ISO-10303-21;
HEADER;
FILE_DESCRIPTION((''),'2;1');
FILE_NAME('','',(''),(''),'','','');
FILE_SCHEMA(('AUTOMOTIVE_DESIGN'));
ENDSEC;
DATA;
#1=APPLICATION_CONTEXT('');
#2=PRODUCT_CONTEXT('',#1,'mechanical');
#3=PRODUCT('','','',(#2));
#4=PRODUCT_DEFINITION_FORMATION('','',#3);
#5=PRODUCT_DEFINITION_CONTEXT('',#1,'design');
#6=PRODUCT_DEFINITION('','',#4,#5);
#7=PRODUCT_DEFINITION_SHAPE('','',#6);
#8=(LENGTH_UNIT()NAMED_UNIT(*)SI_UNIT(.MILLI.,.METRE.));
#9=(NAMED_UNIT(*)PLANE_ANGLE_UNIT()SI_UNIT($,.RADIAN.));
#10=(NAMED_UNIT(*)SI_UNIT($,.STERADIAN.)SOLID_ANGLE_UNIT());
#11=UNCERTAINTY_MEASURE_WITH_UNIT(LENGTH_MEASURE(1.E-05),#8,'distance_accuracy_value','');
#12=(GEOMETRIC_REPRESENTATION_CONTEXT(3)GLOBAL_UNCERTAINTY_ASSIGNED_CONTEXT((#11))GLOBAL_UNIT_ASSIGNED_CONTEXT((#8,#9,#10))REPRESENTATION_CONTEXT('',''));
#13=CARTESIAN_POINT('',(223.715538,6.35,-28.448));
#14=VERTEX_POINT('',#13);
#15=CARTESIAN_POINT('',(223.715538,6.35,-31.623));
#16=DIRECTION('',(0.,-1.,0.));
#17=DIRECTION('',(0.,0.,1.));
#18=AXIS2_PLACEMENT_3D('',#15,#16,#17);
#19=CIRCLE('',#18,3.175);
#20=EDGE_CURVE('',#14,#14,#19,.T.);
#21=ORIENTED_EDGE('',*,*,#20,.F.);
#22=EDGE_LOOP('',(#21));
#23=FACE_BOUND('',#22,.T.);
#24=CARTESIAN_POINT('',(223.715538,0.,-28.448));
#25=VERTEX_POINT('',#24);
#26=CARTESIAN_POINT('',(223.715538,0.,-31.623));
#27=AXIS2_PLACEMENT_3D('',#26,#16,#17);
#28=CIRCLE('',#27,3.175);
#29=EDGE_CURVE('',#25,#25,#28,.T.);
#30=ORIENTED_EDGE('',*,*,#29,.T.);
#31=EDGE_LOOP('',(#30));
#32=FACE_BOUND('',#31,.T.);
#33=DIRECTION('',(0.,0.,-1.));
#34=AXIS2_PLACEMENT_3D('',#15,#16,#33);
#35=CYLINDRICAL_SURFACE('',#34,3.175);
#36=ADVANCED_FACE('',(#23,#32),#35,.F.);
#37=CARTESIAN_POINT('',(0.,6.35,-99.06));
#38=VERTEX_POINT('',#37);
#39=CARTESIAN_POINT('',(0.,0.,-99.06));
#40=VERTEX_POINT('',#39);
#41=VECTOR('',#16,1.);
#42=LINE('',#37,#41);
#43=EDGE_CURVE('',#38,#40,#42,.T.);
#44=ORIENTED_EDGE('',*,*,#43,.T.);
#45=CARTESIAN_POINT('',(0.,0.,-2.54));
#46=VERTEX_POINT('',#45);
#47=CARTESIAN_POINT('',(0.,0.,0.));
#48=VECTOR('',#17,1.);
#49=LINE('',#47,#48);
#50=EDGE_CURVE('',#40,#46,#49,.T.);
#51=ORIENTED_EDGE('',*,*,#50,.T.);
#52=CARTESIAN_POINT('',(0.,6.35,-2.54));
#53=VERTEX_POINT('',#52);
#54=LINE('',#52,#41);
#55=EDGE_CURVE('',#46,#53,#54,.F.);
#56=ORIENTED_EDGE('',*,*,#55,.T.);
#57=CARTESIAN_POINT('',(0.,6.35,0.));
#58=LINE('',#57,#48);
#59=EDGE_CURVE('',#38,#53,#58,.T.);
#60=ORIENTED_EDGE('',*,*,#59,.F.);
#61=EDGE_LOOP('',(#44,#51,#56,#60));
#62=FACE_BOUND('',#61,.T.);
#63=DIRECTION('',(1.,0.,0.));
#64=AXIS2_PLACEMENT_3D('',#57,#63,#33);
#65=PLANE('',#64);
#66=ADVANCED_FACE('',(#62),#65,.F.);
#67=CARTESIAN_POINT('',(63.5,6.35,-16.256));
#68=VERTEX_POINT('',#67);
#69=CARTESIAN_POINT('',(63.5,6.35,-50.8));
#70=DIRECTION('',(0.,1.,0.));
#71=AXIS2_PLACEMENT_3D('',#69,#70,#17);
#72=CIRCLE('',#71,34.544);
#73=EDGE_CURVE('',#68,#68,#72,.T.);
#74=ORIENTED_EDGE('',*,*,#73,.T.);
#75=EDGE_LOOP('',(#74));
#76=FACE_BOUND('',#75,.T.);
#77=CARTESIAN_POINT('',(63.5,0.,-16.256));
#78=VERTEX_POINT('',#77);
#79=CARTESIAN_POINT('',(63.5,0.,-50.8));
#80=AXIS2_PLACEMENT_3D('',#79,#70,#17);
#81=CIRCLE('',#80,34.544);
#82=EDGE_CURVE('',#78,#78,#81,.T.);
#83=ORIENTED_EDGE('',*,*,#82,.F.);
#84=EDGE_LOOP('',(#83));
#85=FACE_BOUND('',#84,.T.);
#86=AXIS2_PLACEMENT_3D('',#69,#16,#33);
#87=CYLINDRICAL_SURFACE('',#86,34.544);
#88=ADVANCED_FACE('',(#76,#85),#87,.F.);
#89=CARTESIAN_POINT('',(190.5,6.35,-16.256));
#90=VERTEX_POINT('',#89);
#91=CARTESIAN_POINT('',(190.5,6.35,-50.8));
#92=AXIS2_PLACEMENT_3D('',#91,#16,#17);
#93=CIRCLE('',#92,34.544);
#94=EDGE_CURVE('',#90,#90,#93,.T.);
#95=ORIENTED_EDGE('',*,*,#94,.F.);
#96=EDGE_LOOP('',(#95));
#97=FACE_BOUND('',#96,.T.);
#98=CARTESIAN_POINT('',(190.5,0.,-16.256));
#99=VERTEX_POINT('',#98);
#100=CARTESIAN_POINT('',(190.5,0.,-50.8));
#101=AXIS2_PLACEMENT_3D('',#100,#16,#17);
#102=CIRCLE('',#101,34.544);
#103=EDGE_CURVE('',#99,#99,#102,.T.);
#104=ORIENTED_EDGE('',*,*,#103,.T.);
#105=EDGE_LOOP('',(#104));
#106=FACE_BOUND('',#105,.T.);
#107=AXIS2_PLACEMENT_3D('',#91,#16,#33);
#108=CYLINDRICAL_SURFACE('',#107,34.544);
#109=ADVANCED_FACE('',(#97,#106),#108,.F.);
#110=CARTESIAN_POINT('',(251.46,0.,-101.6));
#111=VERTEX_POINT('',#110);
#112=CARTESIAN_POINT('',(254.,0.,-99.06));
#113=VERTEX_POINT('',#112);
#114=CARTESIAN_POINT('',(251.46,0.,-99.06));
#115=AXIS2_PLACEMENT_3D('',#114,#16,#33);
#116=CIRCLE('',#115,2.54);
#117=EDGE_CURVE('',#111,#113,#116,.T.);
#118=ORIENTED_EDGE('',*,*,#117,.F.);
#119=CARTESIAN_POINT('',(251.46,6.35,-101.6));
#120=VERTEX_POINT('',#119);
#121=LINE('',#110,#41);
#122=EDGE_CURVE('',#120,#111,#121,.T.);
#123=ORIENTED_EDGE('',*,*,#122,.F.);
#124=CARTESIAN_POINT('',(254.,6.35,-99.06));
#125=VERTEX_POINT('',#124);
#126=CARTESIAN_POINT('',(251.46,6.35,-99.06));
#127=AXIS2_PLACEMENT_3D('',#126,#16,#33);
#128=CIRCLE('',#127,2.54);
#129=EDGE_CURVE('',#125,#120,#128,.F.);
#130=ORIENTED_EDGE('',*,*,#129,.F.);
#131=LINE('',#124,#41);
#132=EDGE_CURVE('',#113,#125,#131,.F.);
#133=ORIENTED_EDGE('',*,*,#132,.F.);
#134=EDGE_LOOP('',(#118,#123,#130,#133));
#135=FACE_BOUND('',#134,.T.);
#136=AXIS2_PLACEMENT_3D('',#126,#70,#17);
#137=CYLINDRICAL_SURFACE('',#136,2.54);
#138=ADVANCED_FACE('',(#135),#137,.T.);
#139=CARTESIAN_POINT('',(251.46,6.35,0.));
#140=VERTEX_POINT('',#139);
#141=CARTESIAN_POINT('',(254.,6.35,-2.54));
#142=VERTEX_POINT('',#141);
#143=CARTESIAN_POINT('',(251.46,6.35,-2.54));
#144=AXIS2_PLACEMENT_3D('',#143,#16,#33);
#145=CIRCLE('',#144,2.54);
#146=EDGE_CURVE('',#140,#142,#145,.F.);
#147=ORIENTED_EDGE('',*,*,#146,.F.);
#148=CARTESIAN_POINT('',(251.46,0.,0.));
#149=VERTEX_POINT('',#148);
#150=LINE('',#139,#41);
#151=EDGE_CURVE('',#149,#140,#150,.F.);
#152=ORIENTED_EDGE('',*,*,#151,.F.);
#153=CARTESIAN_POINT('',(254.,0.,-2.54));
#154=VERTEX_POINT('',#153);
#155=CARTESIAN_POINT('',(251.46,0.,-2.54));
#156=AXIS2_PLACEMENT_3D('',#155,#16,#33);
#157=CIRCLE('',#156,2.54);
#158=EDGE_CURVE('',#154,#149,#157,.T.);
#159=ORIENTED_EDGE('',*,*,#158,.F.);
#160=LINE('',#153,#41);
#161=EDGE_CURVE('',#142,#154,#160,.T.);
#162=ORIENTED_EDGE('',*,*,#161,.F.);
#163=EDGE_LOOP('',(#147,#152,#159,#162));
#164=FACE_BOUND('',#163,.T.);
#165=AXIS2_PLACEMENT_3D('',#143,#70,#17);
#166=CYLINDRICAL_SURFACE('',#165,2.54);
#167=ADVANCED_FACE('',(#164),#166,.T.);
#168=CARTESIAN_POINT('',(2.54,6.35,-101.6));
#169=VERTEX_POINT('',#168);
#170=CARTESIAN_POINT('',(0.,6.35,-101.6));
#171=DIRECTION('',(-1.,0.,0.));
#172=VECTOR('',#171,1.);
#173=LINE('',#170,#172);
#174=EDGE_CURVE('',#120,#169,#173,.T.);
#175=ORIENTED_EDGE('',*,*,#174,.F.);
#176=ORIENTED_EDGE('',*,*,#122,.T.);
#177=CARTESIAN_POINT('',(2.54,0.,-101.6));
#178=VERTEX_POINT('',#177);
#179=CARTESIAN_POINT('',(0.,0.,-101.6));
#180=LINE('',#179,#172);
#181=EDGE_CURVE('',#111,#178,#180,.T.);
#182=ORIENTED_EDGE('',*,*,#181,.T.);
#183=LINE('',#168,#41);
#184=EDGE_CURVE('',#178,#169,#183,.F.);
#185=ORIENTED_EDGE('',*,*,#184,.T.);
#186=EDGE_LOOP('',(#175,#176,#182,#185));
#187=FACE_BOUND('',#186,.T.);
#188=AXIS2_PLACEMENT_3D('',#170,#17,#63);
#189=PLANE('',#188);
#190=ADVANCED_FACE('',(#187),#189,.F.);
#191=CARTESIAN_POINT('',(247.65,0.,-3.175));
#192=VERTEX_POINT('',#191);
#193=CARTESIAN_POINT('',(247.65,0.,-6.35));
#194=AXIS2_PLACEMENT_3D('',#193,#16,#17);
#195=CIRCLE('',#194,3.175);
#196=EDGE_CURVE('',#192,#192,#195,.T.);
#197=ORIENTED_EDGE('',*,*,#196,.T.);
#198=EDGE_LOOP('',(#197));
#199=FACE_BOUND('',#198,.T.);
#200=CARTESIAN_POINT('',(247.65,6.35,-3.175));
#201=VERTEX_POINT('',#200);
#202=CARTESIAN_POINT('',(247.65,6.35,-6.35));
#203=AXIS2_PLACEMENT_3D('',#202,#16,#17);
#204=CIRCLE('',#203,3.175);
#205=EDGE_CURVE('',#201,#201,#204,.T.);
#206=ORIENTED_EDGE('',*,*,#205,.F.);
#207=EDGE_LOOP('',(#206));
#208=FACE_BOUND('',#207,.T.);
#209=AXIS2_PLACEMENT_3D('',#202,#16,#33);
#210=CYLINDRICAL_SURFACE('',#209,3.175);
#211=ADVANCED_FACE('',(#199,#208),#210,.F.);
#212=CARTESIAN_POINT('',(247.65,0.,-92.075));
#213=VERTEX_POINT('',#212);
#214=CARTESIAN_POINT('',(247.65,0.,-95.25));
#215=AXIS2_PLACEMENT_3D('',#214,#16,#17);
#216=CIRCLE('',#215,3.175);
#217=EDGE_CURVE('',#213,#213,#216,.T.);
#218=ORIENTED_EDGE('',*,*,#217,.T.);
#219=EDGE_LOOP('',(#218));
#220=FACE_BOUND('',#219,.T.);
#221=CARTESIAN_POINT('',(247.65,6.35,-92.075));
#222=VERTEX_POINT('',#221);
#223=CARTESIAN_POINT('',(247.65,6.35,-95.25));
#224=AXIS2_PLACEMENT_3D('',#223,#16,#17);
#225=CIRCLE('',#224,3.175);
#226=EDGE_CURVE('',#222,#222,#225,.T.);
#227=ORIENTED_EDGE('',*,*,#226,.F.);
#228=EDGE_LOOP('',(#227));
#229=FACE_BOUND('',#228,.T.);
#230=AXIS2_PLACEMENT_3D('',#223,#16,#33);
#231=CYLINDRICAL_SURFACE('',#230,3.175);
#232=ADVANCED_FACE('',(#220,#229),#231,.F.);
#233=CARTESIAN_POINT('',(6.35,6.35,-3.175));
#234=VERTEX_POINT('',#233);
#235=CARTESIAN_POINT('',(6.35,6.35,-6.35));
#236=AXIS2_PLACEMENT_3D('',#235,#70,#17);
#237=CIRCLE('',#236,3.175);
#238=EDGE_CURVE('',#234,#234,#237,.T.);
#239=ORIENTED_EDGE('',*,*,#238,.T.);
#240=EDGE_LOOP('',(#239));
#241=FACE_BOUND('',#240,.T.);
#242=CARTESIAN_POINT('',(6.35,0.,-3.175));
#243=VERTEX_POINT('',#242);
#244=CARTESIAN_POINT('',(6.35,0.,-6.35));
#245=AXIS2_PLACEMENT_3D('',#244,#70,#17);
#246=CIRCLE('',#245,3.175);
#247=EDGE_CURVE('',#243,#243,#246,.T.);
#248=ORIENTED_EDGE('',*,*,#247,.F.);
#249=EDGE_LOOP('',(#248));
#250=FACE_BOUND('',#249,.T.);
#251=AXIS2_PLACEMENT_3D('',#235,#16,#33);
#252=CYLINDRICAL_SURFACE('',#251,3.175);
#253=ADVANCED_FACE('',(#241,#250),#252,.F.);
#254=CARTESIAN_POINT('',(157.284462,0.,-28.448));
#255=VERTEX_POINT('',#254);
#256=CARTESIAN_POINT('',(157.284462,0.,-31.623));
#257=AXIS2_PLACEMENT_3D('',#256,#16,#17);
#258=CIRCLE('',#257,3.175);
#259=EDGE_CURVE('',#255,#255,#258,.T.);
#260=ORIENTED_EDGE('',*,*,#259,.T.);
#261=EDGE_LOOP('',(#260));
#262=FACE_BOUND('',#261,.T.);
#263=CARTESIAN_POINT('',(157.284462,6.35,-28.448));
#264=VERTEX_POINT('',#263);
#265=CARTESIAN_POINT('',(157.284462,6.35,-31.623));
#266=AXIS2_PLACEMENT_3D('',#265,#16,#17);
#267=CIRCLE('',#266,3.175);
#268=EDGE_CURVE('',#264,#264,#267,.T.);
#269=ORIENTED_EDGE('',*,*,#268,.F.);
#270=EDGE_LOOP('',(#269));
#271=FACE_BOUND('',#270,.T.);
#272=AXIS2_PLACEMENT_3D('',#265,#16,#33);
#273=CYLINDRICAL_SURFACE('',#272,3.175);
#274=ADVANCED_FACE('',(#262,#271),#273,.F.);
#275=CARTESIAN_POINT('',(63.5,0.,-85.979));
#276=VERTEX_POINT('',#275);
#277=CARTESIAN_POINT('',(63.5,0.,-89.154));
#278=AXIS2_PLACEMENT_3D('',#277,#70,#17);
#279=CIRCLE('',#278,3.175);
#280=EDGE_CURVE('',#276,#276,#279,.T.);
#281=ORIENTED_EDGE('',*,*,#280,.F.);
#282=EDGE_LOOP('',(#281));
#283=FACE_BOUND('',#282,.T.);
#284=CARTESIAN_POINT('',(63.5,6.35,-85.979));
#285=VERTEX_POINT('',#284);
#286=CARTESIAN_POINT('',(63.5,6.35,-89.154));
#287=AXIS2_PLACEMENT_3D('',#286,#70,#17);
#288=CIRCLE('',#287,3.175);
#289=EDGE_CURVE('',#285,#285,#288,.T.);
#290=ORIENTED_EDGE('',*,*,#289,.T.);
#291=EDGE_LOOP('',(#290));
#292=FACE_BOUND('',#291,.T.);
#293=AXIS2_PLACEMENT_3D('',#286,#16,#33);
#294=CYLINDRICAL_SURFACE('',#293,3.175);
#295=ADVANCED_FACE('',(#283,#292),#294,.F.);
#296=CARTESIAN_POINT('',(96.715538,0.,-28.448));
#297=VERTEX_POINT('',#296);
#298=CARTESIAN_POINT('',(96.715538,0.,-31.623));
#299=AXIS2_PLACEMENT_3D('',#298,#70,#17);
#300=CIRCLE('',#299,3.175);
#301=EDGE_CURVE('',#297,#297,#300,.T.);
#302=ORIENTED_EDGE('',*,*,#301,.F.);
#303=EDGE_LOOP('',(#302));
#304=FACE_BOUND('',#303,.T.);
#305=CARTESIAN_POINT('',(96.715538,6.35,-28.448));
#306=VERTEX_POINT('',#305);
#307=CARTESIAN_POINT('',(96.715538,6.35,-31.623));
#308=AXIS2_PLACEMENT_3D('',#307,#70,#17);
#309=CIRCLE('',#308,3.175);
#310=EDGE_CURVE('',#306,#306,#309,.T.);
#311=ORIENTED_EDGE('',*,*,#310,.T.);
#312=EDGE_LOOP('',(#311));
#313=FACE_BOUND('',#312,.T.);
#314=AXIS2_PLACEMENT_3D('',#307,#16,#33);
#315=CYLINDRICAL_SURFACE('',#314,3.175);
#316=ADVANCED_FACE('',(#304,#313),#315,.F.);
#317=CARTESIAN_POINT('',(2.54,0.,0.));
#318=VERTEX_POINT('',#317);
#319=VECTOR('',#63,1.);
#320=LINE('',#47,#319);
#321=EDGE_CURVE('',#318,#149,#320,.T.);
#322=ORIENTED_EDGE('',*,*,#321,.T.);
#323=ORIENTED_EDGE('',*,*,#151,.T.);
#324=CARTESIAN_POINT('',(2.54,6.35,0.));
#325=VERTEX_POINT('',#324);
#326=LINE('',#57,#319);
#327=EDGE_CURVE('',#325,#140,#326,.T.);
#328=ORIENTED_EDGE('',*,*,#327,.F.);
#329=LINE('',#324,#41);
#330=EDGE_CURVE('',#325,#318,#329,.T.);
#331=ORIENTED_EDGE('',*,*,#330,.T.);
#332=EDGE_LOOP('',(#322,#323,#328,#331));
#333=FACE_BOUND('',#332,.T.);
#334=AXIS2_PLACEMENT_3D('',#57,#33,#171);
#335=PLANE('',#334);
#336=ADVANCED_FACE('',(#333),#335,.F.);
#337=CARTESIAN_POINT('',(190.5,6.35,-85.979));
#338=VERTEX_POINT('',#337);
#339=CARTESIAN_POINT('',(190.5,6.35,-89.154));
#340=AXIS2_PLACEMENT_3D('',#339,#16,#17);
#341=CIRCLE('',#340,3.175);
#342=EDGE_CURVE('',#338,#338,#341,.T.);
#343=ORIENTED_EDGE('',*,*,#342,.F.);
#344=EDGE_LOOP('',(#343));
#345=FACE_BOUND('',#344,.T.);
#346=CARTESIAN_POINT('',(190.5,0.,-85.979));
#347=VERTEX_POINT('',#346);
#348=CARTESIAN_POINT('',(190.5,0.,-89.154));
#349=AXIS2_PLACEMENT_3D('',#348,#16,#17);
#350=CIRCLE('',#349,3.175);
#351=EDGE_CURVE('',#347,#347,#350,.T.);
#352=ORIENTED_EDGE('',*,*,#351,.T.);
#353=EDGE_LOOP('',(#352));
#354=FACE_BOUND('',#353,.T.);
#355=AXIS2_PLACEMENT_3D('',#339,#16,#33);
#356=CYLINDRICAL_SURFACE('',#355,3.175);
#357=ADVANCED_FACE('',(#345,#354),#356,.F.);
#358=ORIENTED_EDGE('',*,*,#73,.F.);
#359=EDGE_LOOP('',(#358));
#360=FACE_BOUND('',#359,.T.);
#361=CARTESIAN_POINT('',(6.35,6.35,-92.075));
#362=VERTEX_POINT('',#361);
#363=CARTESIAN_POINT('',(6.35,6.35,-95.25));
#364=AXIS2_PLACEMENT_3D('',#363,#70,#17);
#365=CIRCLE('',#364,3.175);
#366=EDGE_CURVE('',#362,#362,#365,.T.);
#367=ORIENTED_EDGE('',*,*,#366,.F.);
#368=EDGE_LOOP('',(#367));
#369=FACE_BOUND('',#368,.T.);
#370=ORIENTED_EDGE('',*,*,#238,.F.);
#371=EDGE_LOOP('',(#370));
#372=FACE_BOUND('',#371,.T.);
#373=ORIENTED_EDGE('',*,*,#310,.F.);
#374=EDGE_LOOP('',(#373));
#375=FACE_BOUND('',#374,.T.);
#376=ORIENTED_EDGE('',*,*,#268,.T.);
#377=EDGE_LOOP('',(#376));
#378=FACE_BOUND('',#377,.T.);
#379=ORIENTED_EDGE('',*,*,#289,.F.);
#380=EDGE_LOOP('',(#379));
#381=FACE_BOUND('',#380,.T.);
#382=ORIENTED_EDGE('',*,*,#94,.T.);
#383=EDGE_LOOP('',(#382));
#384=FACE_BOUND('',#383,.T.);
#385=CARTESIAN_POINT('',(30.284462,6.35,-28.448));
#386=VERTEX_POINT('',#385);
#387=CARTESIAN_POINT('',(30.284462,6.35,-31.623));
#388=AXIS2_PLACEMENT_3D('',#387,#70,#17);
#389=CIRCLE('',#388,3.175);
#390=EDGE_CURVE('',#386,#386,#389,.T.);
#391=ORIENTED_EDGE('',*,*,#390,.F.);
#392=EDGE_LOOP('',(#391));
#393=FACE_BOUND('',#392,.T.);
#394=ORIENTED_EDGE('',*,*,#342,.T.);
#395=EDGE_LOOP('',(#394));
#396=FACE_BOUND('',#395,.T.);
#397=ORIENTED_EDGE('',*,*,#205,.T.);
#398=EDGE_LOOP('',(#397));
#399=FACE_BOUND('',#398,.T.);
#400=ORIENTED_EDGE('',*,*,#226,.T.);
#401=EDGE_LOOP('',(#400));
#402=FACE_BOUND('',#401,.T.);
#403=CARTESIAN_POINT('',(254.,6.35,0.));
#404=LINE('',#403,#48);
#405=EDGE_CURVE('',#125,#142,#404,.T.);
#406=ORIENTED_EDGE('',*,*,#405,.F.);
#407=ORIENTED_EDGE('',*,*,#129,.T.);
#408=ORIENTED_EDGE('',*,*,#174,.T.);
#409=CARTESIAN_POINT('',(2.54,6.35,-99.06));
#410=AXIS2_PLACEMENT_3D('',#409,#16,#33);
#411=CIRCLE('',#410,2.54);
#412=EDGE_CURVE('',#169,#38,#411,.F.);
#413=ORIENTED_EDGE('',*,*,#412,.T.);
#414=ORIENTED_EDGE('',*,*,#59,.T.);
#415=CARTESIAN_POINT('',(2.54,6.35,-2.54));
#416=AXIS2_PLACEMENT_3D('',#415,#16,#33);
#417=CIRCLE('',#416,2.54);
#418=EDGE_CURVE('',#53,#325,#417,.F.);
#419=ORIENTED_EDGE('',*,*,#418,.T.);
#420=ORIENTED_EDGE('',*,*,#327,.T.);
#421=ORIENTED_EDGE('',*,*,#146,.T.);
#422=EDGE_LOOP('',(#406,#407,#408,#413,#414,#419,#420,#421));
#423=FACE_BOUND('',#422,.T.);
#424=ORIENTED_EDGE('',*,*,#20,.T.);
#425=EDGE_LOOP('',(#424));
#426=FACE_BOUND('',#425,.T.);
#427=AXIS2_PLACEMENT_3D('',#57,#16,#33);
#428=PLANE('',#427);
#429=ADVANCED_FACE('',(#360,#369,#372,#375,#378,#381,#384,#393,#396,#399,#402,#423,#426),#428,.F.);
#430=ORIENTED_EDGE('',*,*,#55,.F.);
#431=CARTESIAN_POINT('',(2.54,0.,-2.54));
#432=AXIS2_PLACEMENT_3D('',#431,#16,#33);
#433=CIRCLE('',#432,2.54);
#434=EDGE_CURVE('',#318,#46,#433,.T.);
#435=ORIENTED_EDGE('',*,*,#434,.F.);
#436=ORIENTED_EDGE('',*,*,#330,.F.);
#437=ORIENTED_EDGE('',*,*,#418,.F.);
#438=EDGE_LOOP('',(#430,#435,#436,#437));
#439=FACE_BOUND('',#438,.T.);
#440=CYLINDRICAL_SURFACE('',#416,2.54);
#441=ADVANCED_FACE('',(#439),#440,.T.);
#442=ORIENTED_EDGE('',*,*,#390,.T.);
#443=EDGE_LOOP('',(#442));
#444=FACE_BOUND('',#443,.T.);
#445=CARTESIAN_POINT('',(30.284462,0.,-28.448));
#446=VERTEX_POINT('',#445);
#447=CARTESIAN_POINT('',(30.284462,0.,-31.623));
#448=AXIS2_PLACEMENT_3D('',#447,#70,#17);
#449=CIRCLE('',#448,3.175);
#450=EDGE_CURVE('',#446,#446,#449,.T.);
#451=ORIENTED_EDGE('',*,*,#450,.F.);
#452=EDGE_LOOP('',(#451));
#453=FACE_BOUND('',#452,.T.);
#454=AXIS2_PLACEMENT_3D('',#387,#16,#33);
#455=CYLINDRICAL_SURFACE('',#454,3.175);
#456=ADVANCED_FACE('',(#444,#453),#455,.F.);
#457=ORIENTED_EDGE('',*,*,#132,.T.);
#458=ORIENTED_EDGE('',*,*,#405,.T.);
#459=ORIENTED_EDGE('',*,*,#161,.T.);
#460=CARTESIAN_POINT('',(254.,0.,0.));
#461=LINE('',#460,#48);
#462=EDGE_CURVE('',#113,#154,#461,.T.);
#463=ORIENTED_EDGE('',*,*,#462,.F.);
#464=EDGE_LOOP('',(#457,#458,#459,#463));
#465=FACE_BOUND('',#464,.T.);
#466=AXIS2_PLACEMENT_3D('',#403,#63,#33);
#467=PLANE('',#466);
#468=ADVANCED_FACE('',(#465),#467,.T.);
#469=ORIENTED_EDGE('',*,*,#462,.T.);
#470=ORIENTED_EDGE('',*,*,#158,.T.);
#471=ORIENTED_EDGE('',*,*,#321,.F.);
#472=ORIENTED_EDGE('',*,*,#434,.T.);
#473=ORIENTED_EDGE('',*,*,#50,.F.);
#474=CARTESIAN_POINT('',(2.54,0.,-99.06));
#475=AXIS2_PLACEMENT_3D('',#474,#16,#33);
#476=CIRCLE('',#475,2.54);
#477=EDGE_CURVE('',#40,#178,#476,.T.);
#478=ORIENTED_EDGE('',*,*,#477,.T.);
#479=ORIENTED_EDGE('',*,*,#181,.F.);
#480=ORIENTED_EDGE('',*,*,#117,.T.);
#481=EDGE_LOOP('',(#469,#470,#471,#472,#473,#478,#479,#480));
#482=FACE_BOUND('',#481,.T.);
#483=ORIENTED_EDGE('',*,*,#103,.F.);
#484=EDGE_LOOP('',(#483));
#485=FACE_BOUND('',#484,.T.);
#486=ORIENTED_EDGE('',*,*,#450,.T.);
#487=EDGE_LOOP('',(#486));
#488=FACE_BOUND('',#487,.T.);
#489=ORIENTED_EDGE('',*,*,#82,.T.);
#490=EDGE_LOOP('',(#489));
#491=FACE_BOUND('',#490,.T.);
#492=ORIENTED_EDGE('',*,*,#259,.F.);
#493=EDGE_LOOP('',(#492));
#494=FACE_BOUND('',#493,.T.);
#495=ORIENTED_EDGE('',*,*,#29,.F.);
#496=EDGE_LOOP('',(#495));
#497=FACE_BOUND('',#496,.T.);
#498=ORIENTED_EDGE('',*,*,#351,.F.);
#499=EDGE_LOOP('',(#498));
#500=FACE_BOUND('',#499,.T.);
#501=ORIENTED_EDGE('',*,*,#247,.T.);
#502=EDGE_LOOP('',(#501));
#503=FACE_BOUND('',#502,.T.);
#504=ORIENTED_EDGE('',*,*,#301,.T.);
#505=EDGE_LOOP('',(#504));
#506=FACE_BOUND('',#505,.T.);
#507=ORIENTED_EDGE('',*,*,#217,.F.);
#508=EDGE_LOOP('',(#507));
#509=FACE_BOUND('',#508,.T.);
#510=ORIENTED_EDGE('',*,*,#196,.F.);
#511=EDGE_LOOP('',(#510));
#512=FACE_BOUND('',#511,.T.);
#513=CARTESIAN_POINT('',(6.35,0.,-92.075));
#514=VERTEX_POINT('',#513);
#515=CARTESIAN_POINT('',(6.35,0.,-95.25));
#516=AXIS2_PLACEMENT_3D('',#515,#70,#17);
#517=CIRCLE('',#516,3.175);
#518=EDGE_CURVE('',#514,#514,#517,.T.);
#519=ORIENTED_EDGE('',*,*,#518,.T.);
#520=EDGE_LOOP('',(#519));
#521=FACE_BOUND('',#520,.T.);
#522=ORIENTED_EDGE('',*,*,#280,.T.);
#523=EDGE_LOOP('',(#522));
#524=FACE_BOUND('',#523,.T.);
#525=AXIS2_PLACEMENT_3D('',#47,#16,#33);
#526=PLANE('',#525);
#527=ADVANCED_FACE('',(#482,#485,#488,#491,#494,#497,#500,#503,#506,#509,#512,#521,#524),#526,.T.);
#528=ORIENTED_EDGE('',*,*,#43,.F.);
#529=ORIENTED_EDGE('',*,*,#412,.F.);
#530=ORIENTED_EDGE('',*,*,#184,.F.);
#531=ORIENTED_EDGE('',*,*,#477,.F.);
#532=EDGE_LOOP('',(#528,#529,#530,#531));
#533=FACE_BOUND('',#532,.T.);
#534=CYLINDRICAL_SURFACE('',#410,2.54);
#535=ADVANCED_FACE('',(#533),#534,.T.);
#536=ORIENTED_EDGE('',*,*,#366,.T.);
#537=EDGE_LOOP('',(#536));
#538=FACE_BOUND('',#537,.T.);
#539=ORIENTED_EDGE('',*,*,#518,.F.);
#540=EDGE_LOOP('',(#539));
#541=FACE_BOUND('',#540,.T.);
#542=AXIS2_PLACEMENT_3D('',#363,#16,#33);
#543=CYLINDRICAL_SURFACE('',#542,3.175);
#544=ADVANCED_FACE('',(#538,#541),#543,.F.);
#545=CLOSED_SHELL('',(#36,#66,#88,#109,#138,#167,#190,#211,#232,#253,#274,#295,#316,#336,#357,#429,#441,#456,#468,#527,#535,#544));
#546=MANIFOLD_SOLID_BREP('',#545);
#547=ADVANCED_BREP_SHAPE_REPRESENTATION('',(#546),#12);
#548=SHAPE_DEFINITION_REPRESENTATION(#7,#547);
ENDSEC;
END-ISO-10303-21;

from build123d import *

# Parameters (mm, degrees)
SKETCH1_W            = 127
SKETCH1_H            = 101.6
SKETCH1_R            = 34.544
SKETCH1_R_2          = 3.175
BOSS_EXTRUDE1_DEPTH  = 6.35
FILLET1_R            = 2.54
FILLET1_OF_MIRROR1_R = 2.54


with BuildPart() as part:
    # Sketch1 → Boss-Extrude1 (new body)
    with BuildSketch(Plane(origin=(0, 0, 0), x_dir=(1, 0, 0), z_dir=(0, 1, 0))):
        with Locations((63.5, 50.8)):
            Rectangle(SKETCH1_W, SKETCH1_H)
        with Locations(Location((63.5, 50.8, 0), (0, 0, 270))):
            Circle(SKETCH1_R, mode=Mode.SUBTRACT)
        with Locations(Location((6.35, 95.25, 0), (0, 0, 270))):
            Circle(SKETCH1_R_2, mode=Mode.SUBTRACT)
        with Locations(Location((6.35, 6.35, 0), (0, 0, 270))):
            Circle(SKETCH1_R_2, mode=Mode.SUBTRACT)
        with Locations(Location((63.5, 89.154, 0), (0, 0, 270))):
            Circle(SKETCH1_R_2, mode=Mode.SUBTRACT)
        with Locations(Location((96.715538337, 31.623, 0), (0, 0, 270))):
            Circle(SKETCH1_R_2, mode=Mode.SUBTRACT)
        with Locations(Location((30.284461663, 31.623, 0), (0, 0, 270))):
            Circle(SKETCH1_R_2, mode=Mode.SUBTRACT)
    boss_extrude1 = extrude(amount=BOSS_EXTRUDE1_DEPTH)

    # Fillet1
    fillet1_edges = [part.edges().sort_by_distance(p)[0] for p in [
        (0, 3.175, -101.6),
        (0, 3.175, 0),
    ]]
    fillet(fillet1_edges, radius=FILLET1_R)

    # Mirror1: Boss-Extrude1 across plane
    add(boss_extrude1.mirror(Plane(origin=(127, 6.35, 0), x_dir=(0, 0, 1), z_dir=(-1, 0, 0))))

    # Fillet1 of Mirror1
    fillet1_of_mirror1_edges = [part.edges().sort_by_distance(p)[0] for p in [
        (254, 3.175, -101.6),
        (254, 3.175, 0),
    ]]
    fillet(fillet1_of_mirror1_edges, radius=FILLET1_OF_MIRROR1_R)


solid = part.part
